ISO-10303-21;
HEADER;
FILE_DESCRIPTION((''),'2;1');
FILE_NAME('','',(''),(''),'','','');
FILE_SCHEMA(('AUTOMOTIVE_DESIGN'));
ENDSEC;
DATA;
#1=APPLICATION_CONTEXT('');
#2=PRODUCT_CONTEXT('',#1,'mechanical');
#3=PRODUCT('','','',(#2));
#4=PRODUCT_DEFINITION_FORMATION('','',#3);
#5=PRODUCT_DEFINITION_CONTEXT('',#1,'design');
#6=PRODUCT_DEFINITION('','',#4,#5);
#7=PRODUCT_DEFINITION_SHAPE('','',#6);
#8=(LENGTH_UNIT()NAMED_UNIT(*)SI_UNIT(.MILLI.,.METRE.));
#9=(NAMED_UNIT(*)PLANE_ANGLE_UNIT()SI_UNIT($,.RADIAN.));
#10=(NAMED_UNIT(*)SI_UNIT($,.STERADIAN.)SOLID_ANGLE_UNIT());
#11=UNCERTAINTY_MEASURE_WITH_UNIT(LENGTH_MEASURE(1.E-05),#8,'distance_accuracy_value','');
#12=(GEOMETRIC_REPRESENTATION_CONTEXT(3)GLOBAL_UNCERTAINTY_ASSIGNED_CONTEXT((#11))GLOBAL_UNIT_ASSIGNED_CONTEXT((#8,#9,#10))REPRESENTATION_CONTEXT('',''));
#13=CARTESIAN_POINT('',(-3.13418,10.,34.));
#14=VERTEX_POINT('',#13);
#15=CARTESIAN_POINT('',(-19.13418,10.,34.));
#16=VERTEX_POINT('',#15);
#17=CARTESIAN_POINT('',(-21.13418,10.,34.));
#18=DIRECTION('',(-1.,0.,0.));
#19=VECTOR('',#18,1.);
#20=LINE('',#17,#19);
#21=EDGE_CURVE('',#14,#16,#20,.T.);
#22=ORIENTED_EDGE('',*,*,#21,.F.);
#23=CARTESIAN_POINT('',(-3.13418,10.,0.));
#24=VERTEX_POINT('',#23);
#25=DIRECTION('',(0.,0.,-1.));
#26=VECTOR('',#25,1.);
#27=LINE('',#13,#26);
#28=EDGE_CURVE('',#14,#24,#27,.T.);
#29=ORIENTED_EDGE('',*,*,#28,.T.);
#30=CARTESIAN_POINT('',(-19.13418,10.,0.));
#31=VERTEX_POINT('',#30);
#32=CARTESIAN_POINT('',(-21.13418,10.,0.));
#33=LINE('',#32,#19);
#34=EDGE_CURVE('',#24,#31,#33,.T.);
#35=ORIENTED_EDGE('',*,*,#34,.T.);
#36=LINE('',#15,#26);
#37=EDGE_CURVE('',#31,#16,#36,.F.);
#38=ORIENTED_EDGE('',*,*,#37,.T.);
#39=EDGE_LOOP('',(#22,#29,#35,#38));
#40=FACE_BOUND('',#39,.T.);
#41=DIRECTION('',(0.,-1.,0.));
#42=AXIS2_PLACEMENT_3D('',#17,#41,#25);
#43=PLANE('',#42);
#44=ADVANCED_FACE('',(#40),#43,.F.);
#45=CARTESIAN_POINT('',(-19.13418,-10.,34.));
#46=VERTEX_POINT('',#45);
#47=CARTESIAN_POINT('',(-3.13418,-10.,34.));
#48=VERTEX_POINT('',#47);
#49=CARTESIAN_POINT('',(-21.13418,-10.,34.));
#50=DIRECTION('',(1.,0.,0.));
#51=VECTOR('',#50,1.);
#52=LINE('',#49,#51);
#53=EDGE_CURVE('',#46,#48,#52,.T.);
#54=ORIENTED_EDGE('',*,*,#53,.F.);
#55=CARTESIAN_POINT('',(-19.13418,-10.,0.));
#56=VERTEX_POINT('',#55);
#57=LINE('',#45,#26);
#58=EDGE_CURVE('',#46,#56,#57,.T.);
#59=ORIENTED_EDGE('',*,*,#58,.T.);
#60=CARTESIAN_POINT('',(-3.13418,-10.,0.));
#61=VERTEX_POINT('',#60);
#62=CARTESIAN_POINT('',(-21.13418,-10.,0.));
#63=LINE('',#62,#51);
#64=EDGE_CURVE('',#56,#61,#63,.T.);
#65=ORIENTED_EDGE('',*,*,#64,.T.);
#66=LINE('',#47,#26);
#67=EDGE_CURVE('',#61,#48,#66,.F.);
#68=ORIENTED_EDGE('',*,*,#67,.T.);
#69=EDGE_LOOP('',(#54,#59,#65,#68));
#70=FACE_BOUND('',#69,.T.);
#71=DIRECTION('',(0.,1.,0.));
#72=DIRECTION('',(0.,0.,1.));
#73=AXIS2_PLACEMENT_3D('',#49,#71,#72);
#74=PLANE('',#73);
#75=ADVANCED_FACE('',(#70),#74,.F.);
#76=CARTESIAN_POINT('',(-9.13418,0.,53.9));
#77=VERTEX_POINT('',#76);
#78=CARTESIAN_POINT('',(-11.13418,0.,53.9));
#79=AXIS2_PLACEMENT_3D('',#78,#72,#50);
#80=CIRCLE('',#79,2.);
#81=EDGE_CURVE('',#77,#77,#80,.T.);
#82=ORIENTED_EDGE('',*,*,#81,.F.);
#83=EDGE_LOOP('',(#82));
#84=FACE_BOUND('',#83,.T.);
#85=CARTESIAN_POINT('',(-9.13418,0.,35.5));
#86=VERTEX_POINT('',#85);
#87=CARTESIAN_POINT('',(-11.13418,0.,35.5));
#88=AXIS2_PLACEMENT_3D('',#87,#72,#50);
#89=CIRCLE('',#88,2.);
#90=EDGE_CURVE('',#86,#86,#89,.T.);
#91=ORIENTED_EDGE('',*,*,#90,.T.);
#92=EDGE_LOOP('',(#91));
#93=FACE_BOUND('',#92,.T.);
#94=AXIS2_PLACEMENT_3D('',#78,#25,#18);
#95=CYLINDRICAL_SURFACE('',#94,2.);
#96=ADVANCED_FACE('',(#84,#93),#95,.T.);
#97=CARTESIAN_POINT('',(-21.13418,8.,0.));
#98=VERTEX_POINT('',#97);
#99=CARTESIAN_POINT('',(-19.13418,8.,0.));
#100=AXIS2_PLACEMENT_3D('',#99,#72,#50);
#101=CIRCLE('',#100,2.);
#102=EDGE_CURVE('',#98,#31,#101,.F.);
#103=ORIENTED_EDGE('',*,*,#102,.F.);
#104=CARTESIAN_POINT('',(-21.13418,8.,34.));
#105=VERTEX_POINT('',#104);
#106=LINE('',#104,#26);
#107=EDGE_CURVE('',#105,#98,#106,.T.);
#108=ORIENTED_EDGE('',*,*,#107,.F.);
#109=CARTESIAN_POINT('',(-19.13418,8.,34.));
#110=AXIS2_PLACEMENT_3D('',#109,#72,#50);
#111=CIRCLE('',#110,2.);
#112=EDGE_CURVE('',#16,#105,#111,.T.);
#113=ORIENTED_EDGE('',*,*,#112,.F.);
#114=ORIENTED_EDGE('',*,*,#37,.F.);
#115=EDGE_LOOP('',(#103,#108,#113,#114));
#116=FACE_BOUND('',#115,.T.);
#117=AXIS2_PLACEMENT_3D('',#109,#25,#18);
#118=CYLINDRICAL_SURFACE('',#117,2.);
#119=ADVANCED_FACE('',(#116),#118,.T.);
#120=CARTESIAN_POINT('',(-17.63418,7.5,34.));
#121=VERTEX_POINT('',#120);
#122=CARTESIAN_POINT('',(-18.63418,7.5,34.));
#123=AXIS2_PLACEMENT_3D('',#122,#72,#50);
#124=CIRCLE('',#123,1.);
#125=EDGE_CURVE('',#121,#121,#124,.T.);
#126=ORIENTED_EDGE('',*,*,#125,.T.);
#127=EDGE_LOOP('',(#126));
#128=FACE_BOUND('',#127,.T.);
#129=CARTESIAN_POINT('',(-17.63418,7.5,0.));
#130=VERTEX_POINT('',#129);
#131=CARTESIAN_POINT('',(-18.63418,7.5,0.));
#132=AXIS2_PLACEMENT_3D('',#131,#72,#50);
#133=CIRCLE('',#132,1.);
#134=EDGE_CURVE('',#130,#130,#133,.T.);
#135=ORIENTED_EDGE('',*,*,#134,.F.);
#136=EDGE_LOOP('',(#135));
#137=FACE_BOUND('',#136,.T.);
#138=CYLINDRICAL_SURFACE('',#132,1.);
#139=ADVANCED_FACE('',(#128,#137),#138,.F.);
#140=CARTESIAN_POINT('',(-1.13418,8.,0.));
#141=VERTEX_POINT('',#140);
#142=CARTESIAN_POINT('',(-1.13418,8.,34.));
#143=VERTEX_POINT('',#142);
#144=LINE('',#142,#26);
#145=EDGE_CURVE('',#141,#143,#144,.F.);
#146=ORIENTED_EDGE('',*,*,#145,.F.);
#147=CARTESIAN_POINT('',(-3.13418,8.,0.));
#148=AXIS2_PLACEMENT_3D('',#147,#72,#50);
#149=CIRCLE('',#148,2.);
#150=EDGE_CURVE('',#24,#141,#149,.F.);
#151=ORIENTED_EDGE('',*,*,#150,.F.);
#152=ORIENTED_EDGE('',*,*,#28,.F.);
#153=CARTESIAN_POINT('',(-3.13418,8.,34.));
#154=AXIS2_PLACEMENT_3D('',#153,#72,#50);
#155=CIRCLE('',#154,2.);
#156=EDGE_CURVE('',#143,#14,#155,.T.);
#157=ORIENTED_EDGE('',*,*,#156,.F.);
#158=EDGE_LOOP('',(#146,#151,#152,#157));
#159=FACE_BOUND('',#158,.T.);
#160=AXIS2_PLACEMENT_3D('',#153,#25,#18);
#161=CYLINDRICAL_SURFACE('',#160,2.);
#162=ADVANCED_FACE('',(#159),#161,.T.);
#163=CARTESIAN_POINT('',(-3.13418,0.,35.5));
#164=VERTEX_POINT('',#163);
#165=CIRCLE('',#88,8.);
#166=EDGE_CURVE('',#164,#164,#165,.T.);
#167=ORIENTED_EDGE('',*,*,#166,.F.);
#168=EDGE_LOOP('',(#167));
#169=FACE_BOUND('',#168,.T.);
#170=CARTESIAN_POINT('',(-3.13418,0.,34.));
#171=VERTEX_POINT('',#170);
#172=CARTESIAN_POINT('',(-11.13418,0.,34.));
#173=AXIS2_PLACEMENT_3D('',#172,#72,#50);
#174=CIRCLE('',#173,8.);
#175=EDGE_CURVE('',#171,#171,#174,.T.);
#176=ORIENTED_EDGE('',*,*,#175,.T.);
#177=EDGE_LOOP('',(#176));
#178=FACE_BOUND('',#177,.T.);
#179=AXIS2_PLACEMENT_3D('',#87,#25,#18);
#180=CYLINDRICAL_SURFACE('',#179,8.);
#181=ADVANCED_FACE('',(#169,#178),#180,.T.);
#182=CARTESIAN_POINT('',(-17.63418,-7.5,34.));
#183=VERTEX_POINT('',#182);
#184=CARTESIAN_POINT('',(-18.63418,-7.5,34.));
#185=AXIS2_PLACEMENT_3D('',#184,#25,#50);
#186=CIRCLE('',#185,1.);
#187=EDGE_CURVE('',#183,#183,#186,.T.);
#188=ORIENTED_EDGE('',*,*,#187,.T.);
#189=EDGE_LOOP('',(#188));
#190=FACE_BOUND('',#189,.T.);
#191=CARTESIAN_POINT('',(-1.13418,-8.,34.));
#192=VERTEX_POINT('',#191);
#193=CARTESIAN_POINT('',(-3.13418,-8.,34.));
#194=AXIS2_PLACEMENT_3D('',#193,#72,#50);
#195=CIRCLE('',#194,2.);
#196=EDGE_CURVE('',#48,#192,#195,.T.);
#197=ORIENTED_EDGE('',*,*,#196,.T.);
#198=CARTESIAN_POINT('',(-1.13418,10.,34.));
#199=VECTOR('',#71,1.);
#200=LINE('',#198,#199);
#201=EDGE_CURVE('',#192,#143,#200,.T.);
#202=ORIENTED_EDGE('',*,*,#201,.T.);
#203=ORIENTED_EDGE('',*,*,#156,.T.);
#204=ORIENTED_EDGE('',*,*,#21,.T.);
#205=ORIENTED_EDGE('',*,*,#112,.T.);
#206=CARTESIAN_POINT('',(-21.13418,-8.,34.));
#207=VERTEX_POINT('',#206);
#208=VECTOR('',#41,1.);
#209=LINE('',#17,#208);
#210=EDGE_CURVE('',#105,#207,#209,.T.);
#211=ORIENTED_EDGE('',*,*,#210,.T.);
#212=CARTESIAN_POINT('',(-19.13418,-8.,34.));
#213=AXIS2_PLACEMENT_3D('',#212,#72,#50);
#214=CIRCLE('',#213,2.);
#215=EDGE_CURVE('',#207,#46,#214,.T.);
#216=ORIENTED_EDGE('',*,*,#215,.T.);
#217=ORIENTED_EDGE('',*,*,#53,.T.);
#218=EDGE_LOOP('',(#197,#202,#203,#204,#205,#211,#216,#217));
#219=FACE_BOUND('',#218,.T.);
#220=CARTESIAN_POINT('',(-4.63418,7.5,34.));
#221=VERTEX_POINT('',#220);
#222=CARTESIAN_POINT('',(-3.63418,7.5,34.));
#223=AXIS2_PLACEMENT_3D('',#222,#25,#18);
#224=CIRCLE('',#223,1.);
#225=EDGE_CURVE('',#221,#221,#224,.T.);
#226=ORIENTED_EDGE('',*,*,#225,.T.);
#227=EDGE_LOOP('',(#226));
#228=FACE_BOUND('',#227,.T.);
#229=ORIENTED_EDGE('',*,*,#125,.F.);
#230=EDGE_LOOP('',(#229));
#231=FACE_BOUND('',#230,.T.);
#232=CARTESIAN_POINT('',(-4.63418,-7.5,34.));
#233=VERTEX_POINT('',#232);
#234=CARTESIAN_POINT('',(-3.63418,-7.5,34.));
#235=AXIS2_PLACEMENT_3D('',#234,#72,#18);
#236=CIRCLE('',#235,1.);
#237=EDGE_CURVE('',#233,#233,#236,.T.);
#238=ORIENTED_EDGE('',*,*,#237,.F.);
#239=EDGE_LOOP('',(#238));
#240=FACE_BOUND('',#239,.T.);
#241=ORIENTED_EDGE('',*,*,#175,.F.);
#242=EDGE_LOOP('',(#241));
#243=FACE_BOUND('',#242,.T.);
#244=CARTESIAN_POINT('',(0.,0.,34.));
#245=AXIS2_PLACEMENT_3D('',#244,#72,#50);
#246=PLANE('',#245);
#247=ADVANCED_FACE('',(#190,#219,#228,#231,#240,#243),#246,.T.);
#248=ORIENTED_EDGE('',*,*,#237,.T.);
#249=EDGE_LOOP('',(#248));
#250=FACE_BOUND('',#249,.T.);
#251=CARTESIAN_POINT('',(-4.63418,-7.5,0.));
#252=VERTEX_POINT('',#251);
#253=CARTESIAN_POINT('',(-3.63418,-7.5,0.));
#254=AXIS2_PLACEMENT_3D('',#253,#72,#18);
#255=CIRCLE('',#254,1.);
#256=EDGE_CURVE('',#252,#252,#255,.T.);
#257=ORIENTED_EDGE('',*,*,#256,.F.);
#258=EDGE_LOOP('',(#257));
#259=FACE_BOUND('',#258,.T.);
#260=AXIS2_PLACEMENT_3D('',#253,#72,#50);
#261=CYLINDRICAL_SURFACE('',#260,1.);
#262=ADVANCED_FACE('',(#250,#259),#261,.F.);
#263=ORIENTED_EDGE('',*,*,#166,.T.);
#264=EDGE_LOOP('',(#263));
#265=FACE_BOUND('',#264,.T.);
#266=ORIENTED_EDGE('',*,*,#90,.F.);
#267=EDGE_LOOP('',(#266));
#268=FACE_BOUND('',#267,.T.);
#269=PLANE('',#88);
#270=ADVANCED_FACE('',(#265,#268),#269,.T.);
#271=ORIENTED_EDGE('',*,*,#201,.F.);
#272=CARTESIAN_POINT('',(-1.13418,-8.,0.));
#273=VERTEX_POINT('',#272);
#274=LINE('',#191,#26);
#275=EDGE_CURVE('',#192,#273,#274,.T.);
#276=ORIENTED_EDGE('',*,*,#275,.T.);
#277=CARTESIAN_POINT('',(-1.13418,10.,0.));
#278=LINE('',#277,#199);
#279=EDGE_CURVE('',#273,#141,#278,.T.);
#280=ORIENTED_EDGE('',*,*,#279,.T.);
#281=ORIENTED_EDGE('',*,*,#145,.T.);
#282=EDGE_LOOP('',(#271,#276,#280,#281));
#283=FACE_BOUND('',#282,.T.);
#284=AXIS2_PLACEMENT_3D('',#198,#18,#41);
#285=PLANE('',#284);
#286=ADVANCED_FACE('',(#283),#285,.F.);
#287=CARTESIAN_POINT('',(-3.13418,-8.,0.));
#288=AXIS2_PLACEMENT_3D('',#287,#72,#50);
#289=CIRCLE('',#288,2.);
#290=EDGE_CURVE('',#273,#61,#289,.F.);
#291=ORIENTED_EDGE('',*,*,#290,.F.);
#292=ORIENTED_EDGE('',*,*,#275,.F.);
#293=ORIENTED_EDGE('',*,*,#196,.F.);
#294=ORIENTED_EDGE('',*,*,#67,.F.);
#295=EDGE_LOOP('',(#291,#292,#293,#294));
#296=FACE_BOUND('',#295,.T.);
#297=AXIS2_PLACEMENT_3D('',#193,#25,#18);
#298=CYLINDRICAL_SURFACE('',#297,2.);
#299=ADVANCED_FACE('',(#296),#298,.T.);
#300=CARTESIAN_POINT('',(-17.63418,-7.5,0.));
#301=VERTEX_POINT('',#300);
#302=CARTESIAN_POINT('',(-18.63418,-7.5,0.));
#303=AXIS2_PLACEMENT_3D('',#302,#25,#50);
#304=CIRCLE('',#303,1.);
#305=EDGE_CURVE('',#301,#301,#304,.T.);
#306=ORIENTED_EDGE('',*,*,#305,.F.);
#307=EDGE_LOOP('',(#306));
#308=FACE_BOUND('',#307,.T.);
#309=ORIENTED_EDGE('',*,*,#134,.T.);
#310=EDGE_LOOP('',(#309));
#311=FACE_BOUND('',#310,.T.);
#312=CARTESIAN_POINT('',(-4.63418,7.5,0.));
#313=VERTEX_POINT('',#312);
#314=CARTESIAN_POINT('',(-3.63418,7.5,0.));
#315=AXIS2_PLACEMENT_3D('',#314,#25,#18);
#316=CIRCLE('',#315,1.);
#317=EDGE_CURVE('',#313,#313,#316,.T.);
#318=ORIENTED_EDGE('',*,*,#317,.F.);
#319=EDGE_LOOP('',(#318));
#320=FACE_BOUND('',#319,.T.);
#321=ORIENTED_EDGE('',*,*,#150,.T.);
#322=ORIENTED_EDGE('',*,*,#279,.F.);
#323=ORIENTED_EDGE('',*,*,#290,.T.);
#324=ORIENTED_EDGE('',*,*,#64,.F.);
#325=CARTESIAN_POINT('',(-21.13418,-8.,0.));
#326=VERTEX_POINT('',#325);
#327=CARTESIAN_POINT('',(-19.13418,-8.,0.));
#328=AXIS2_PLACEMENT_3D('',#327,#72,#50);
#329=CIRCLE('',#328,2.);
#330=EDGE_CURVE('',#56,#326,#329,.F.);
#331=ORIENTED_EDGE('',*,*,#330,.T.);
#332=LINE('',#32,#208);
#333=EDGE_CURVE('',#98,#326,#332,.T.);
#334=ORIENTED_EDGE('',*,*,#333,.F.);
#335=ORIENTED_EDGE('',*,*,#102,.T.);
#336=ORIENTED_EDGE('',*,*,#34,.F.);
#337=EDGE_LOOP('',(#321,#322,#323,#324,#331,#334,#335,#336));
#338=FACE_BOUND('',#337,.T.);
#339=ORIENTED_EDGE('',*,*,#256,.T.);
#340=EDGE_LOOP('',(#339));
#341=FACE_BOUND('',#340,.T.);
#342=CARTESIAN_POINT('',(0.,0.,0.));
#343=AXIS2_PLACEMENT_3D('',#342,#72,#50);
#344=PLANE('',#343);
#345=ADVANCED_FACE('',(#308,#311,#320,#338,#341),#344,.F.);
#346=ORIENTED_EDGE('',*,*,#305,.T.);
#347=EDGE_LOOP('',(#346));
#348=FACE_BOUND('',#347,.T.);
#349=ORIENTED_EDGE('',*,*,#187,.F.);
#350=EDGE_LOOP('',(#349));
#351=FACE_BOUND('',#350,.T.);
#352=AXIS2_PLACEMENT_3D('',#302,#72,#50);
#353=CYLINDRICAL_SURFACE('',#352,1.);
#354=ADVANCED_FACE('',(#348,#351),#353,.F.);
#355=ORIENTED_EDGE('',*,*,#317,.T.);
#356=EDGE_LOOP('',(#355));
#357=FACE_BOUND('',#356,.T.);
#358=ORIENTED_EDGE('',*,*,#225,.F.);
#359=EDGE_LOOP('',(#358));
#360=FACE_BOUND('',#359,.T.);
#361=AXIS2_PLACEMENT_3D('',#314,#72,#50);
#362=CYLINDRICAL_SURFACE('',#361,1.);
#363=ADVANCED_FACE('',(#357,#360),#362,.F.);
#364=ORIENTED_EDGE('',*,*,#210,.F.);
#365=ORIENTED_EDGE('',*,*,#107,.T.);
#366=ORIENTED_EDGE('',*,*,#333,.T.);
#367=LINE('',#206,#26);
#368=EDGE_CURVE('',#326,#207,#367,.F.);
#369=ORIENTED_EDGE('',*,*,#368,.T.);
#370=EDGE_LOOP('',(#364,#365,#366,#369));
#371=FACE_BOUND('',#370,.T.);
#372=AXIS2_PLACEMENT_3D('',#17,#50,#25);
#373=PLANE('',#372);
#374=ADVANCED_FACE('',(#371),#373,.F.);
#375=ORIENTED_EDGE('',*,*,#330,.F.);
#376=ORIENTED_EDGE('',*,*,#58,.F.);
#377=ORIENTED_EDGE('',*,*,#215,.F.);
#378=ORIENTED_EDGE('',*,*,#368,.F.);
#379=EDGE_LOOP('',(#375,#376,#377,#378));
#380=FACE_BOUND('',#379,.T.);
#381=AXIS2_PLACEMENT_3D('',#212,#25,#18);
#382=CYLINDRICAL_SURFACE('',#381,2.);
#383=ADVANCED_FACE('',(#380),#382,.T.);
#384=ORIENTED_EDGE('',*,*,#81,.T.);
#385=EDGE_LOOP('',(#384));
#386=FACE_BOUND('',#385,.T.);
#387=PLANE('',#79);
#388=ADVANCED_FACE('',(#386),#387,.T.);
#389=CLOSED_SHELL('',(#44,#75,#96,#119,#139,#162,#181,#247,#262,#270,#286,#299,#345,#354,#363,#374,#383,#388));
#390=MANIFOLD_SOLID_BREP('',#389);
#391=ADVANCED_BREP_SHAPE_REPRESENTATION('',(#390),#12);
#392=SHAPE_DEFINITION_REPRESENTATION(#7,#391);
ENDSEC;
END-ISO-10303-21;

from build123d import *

# Parameters (mm, degrees)
SKETCH_1_W               = 20
SKETCH_1_H               = 20
EXTRUDE_1_DEPTH          = 34
SKETCH_2_R               = 8
EXTRUDE_2_DEPTH          = 1.5
SKETCH_3_R               = 2
EXTRUDE_3_DEPTH          = 18.4
SKETCH_4_R               = 1
CUT_EXTRUDE_1_DEPTH      = 42.263223045
MIRROR_2_COPY_1_SKETCH_R = 1
MIRROR_2_COPY_1_DEPTH    = 42.263223045
FILLET_2_R               = 2


with BuildPart() as part:
    # 草圖1 → 填料-伸長1 (new body)
    with BuildSketch(Plane.XY):
        with Locations((-11.134180278, 0)):
            Rectangle(SKETCH_1_W, SKETCH_1_H)
    extrude(amount=EXTRUDE_1_DEPTH)

    # 草圖2 → 填料-伸長2 (add)
    with BuildSketch(Plane.XY.offset(34)):
        with Locations((-11.134180278, 0)):
            Circle(SKETCH_2_R)
    extrude(amount=EXTRUDE_2_DEPTH)

    # 草圖3 → 填料-伸長3 (add)
    with BuildSketch(Plane.XY.offset(35.5)):
        with Locations((-11.134180278, 0)):
            Circle(SKETCH_3_R)
    extrude(amount=EXTRUDE_3_DEPTH)

    # 草圖4 → 除料-伸長1 (cut, through all)
    with BuildSketch(Plane.XY.offset(34)):
        with Locations((-18.634180278, 7.5)):
            Circle(SKETCH_4_R)
    cut_extrude_1 = extrude(amount=-CUT_EXTRUDE_1_DEPTH, mode=Mode.SUBTRACT)

    # 鏡射1: 除料-伸長1 across plane
    add(cut_extrude_1.mirror(Plane.ZY.offset(11.134180278)), mode=Mode.SUBTRACT)

    # 鏡射2: 除料-伸長1 across plane
    add(cut_extrude_1.mirror(Plane(origin=(0, 0, 0), x_dir=(0, 0, 1), z_dir=(0, -1, 0))), mode=Mode.SUBTRACT)

    # 鏡射2 copy 1 sketch → 鏡射2 copy 1 (cut, through all)
    with BuildSketch(Plane(origin=(-22.268360557, 0, 34), x_dir=(-1, 0, 0), z_dir=(0, 0, 1))):
        with Locations((-18.634180278, 7.5)):
            Circle(MIRROR_2_COPY_1_SKETCH_R)
    extrude(amount=-MIRROR_2_COPY_1_DEPTH, mode=Mode.SUBTRACT)

    # 圓角2
    fillet_2_edges = [part.edges().sort_by_distance(p)[0] for p in [
        (-21.134180278, 10, 17),
        (-1.134180278, 10, 17),
        (-1.134180278, -10, 17),
        (-21.134180278, -10, 17),
    ]]
    fillet(fillet_2_edges, radius=FILLET_2_R)


solid = part.part
